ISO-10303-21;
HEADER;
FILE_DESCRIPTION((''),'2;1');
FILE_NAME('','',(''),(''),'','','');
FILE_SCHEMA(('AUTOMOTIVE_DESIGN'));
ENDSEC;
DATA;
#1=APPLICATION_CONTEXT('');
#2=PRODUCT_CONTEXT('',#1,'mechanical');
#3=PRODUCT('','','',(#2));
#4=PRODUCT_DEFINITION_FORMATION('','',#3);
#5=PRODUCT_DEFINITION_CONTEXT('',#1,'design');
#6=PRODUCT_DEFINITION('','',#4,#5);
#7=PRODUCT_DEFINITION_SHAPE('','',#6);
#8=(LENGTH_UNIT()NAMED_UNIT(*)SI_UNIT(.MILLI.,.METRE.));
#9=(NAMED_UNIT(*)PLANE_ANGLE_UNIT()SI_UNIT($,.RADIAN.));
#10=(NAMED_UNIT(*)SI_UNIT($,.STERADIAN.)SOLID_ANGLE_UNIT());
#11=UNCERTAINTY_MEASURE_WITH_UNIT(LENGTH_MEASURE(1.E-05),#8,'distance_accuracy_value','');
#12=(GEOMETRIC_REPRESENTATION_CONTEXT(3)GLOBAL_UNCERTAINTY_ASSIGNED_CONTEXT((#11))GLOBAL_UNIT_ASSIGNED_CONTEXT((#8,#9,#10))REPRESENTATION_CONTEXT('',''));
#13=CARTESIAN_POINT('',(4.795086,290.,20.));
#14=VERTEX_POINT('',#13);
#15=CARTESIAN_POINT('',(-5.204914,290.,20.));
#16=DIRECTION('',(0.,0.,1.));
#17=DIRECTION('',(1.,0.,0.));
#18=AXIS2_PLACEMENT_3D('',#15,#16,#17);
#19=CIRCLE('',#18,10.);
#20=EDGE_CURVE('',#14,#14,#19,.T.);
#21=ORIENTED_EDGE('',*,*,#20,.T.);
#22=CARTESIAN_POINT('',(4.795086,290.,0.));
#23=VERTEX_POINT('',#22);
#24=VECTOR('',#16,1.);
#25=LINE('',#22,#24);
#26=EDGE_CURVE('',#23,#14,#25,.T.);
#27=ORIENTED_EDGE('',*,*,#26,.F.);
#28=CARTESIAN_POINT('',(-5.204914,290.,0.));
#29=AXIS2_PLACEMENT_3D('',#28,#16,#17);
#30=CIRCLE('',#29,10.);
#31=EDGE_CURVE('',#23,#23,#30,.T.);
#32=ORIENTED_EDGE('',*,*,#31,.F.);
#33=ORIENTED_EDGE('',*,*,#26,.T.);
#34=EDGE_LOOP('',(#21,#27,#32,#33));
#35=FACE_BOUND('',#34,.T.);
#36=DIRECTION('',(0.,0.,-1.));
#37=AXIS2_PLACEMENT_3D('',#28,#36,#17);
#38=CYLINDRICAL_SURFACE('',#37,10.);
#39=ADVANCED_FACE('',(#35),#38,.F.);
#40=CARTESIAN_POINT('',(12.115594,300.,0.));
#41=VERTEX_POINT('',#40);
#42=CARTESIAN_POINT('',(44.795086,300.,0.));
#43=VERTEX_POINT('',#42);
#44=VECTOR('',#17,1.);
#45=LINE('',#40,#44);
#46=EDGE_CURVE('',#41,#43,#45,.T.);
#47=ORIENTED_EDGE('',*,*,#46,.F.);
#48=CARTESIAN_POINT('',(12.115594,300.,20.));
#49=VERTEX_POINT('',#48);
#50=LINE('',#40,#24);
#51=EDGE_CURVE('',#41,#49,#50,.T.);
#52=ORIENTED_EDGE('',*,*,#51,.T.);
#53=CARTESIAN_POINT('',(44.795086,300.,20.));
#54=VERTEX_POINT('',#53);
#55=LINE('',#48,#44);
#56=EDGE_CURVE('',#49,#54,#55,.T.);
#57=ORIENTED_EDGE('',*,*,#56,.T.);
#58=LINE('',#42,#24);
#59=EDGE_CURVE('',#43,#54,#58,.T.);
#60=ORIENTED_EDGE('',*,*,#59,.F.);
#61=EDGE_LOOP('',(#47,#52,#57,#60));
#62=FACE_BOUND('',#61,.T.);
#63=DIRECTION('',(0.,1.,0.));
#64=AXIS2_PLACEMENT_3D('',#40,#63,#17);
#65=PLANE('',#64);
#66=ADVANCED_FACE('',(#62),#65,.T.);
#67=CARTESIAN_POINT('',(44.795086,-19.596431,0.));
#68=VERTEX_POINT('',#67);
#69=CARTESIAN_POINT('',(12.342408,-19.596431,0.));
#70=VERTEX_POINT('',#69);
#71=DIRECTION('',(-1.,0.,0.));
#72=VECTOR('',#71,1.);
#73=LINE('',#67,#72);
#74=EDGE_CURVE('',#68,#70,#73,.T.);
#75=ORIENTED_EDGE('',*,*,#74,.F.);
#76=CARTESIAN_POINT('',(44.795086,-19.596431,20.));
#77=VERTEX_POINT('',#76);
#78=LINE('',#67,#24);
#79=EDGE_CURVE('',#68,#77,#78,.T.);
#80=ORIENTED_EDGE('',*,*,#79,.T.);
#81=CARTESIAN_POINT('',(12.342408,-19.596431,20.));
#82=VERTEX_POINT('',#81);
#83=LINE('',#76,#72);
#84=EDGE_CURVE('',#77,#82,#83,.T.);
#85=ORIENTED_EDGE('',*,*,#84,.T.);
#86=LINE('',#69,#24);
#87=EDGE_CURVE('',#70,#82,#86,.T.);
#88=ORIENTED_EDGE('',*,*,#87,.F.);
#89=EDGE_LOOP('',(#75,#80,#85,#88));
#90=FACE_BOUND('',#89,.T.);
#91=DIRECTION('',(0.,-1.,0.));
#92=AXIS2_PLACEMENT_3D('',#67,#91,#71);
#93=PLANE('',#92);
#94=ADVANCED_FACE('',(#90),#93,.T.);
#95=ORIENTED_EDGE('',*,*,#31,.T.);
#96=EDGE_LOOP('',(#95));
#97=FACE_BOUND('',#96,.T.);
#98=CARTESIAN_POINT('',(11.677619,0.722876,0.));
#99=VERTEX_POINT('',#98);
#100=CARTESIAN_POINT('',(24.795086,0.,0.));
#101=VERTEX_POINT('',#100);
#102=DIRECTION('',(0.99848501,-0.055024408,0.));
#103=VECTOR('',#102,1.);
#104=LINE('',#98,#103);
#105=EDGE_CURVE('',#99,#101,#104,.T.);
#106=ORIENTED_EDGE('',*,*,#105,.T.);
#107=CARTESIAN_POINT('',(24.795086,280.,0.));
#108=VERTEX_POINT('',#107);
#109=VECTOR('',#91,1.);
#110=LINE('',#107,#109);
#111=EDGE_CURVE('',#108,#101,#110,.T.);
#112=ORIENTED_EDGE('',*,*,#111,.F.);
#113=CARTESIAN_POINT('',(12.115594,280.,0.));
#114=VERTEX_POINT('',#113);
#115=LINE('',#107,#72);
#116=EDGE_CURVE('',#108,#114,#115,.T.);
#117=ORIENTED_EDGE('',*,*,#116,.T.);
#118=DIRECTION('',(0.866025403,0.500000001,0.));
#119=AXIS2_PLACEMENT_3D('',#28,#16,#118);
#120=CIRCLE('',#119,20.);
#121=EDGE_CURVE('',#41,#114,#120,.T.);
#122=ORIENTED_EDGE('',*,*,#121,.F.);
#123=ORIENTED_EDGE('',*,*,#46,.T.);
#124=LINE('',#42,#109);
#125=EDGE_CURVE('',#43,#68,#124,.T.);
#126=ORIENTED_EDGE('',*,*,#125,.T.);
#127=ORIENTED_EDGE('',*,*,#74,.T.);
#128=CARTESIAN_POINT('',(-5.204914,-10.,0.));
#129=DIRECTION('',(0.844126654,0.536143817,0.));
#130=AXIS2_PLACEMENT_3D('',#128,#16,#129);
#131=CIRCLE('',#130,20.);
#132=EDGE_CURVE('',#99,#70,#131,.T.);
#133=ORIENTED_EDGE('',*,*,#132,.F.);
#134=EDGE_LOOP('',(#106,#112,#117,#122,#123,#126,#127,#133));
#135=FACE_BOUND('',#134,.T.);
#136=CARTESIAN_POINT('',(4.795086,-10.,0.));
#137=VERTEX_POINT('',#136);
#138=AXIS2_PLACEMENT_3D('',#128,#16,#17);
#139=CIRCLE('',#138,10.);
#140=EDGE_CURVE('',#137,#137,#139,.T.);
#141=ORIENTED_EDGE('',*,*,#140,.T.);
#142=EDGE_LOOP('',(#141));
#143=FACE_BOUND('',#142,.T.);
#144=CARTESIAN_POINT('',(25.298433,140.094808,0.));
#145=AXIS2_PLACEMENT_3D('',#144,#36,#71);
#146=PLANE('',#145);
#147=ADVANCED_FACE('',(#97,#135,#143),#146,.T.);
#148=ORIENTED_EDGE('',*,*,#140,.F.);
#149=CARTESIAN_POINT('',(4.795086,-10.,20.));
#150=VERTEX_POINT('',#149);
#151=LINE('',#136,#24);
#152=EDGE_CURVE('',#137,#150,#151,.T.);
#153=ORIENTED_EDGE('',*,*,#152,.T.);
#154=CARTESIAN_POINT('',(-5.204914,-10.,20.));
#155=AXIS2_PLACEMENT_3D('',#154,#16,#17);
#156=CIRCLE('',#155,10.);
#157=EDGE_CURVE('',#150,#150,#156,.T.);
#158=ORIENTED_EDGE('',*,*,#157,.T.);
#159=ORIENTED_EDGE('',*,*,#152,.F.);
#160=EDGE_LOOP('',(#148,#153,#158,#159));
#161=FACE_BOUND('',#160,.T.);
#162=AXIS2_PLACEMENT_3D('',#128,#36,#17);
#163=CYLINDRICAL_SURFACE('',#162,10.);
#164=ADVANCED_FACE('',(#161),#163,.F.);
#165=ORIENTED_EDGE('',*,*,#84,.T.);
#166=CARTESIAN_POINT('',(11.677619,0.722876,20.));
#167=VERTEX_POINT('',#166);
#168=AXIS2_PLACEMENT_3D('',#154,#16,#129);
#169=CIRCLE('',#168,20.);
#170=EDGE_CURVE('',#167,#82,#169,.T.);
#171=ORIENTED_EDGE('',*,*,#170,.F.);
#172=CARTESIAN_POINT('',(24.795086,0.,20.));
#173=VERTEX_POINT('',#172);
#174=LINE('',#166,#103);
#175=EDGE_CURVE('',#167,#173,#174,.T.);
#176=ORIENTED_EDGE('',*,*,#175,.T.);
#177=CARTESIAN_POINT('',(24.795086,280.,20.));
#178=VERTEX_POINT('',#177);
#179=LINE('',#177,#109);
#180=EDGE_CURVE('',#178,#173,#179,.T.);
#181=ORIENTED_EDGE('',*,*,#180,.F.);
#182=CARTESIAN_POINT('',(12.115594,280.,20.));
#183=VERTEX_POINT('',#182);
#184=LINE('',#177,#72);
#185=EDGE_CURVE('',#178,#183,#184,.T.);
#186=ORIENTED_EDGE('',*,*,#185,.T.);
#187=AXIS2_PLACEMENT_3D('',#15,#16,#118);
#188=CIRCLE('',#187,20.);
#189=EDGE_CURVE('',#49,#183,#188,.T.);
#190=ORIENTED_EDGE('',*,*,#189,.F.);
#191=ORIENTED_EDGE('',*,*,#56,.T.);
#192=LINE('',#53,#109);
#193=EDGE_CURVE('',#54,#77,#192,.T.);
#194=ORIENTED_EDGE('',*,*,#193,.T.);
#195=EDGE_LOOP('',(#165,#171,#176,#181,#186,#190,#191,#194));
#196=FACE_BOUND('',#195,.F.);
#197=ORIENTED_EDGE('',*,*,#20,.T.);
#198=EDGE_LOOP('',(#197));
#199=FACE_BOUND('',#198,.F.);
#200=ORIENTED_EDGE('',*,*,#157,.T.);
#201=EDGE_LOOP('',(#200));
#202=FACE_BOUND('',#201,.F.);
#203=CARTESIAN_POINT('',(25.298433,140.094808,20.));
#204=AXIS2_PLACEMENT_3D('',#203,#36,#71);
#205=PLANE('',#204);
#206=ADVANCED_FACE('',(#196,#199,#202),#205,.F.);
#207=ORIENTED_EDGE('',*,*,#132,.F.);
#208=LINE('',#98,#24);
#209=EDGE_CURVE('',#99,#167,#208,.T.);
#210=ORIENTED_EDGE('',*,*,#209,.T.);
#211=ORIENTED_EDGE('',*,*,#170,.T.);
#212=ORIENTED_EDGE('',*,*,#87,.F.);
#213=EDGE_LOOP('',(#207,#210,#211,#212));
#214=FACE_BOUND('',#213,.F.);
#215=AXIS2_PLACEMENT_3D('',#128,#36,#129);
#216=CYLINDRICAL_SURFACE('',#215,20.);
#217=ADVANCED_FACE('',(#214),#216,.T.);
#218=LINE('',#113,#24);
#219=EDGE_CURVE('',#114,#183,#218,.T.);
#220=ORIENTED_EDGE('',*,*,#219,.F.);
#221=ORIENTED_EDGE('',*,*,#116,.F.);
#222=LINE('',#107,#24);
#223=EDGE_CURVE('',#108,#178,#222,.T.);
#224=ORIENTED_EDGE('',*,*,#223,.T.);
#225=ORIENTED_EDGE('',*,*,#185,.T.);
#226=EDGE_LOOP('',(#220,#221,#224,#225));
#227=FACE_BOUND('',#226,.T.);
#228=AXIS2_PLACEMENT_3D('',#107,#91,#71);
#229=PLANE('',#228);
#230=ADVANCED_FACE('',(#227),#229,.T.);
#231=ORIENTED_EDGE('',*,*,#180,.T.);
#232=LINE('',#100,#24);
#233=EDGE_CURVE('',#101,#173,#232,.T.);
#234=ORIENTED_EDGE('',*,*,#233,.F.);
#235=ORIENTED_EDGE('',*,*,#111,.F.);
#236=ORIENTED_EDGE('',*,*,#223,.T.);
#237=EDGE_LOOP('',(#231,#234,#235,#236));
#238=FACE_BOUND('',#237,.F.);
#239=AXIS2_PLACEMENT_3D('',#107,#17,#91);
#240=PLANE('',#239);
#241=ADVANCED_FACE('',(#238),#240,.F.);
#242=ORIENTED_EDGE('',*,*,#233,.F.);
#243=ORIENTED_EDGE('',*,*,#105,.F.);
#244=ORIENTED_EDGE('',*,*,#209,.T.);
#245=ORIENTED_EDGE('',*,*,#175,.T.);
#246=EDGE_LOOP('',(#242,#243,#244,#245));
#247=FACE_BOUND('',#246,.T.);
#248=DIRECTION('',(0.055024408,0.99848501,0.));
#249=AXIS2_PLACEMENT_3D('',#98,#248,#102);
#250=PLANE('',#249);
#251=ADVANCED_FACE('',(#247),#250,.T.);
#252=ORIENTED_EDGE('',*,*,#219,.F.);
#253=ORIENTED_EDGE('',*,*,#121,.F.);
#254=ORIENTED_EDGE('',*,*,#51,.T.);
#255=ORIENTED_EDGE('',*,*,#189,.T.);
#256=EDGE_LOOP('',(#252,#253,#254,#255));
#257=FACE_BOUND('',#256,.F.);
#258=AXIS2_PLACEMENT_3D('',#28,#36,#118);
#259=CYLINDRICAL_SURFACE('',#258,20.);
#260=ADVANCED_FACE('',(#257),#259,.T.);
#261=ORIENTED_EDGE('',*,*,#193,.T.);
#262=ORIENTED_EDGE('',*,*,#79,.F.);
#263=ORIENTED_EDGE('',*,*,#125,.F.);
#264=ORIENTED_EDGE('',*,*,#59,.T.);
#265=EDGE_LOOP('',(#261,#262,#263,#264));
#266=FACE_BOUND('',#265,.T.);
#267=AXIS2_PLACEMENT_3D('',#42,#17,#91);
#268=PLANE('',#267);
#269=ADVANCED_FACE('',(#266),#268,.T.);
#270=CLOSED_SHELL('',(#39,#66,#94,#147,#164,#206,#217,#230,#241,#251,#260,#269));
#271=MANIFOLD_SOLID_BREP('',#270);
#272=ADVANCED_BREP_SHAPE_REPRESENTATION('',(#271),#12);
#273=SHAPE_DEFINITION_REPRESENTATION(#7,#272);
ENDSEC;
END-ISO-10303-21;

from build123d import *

# Parameters (mm, degrees)
SKETCH_R      = 10
EXTRUDE_DEPTH = 20


with BuildPart() as part:
    # Sketch → Extrude (new body)
    with BuildSketch(Plane.XY):
        with BuildLine():
            Line((11.677619, 0.722876), (24.795086, 0))
            Line((24.795086, 280), (24.795086, 0))
            Line((24.795086, 280), (12.115594, 280))
            ThreePointArc((12.115594, 300), (-25.204914, 290), (12.115594, 280))
            Line((12.115594, 300), (44.795086, 300))
            Line((44.795086, 300), (44.795086, -19.596431))
            Line((44.795086, -19.596431), (12.342408, -19.596431))
            ThreePointArc((11.677619, 0.722876), (-25.194218, -10.653992), (12.342408, -19.596431))
        make_face()
        with Locations((-5.204914, -10)):
            Circle(SKETCH_R, mode=Mode.SUBTRACT)
        with Locations((-5.204914, 290)):
            Circle(SKETCH_R, mode=Mode.SUBTRACT)
    extrude(amount=EXTRUDE_DEPTH)


solid = part.part
